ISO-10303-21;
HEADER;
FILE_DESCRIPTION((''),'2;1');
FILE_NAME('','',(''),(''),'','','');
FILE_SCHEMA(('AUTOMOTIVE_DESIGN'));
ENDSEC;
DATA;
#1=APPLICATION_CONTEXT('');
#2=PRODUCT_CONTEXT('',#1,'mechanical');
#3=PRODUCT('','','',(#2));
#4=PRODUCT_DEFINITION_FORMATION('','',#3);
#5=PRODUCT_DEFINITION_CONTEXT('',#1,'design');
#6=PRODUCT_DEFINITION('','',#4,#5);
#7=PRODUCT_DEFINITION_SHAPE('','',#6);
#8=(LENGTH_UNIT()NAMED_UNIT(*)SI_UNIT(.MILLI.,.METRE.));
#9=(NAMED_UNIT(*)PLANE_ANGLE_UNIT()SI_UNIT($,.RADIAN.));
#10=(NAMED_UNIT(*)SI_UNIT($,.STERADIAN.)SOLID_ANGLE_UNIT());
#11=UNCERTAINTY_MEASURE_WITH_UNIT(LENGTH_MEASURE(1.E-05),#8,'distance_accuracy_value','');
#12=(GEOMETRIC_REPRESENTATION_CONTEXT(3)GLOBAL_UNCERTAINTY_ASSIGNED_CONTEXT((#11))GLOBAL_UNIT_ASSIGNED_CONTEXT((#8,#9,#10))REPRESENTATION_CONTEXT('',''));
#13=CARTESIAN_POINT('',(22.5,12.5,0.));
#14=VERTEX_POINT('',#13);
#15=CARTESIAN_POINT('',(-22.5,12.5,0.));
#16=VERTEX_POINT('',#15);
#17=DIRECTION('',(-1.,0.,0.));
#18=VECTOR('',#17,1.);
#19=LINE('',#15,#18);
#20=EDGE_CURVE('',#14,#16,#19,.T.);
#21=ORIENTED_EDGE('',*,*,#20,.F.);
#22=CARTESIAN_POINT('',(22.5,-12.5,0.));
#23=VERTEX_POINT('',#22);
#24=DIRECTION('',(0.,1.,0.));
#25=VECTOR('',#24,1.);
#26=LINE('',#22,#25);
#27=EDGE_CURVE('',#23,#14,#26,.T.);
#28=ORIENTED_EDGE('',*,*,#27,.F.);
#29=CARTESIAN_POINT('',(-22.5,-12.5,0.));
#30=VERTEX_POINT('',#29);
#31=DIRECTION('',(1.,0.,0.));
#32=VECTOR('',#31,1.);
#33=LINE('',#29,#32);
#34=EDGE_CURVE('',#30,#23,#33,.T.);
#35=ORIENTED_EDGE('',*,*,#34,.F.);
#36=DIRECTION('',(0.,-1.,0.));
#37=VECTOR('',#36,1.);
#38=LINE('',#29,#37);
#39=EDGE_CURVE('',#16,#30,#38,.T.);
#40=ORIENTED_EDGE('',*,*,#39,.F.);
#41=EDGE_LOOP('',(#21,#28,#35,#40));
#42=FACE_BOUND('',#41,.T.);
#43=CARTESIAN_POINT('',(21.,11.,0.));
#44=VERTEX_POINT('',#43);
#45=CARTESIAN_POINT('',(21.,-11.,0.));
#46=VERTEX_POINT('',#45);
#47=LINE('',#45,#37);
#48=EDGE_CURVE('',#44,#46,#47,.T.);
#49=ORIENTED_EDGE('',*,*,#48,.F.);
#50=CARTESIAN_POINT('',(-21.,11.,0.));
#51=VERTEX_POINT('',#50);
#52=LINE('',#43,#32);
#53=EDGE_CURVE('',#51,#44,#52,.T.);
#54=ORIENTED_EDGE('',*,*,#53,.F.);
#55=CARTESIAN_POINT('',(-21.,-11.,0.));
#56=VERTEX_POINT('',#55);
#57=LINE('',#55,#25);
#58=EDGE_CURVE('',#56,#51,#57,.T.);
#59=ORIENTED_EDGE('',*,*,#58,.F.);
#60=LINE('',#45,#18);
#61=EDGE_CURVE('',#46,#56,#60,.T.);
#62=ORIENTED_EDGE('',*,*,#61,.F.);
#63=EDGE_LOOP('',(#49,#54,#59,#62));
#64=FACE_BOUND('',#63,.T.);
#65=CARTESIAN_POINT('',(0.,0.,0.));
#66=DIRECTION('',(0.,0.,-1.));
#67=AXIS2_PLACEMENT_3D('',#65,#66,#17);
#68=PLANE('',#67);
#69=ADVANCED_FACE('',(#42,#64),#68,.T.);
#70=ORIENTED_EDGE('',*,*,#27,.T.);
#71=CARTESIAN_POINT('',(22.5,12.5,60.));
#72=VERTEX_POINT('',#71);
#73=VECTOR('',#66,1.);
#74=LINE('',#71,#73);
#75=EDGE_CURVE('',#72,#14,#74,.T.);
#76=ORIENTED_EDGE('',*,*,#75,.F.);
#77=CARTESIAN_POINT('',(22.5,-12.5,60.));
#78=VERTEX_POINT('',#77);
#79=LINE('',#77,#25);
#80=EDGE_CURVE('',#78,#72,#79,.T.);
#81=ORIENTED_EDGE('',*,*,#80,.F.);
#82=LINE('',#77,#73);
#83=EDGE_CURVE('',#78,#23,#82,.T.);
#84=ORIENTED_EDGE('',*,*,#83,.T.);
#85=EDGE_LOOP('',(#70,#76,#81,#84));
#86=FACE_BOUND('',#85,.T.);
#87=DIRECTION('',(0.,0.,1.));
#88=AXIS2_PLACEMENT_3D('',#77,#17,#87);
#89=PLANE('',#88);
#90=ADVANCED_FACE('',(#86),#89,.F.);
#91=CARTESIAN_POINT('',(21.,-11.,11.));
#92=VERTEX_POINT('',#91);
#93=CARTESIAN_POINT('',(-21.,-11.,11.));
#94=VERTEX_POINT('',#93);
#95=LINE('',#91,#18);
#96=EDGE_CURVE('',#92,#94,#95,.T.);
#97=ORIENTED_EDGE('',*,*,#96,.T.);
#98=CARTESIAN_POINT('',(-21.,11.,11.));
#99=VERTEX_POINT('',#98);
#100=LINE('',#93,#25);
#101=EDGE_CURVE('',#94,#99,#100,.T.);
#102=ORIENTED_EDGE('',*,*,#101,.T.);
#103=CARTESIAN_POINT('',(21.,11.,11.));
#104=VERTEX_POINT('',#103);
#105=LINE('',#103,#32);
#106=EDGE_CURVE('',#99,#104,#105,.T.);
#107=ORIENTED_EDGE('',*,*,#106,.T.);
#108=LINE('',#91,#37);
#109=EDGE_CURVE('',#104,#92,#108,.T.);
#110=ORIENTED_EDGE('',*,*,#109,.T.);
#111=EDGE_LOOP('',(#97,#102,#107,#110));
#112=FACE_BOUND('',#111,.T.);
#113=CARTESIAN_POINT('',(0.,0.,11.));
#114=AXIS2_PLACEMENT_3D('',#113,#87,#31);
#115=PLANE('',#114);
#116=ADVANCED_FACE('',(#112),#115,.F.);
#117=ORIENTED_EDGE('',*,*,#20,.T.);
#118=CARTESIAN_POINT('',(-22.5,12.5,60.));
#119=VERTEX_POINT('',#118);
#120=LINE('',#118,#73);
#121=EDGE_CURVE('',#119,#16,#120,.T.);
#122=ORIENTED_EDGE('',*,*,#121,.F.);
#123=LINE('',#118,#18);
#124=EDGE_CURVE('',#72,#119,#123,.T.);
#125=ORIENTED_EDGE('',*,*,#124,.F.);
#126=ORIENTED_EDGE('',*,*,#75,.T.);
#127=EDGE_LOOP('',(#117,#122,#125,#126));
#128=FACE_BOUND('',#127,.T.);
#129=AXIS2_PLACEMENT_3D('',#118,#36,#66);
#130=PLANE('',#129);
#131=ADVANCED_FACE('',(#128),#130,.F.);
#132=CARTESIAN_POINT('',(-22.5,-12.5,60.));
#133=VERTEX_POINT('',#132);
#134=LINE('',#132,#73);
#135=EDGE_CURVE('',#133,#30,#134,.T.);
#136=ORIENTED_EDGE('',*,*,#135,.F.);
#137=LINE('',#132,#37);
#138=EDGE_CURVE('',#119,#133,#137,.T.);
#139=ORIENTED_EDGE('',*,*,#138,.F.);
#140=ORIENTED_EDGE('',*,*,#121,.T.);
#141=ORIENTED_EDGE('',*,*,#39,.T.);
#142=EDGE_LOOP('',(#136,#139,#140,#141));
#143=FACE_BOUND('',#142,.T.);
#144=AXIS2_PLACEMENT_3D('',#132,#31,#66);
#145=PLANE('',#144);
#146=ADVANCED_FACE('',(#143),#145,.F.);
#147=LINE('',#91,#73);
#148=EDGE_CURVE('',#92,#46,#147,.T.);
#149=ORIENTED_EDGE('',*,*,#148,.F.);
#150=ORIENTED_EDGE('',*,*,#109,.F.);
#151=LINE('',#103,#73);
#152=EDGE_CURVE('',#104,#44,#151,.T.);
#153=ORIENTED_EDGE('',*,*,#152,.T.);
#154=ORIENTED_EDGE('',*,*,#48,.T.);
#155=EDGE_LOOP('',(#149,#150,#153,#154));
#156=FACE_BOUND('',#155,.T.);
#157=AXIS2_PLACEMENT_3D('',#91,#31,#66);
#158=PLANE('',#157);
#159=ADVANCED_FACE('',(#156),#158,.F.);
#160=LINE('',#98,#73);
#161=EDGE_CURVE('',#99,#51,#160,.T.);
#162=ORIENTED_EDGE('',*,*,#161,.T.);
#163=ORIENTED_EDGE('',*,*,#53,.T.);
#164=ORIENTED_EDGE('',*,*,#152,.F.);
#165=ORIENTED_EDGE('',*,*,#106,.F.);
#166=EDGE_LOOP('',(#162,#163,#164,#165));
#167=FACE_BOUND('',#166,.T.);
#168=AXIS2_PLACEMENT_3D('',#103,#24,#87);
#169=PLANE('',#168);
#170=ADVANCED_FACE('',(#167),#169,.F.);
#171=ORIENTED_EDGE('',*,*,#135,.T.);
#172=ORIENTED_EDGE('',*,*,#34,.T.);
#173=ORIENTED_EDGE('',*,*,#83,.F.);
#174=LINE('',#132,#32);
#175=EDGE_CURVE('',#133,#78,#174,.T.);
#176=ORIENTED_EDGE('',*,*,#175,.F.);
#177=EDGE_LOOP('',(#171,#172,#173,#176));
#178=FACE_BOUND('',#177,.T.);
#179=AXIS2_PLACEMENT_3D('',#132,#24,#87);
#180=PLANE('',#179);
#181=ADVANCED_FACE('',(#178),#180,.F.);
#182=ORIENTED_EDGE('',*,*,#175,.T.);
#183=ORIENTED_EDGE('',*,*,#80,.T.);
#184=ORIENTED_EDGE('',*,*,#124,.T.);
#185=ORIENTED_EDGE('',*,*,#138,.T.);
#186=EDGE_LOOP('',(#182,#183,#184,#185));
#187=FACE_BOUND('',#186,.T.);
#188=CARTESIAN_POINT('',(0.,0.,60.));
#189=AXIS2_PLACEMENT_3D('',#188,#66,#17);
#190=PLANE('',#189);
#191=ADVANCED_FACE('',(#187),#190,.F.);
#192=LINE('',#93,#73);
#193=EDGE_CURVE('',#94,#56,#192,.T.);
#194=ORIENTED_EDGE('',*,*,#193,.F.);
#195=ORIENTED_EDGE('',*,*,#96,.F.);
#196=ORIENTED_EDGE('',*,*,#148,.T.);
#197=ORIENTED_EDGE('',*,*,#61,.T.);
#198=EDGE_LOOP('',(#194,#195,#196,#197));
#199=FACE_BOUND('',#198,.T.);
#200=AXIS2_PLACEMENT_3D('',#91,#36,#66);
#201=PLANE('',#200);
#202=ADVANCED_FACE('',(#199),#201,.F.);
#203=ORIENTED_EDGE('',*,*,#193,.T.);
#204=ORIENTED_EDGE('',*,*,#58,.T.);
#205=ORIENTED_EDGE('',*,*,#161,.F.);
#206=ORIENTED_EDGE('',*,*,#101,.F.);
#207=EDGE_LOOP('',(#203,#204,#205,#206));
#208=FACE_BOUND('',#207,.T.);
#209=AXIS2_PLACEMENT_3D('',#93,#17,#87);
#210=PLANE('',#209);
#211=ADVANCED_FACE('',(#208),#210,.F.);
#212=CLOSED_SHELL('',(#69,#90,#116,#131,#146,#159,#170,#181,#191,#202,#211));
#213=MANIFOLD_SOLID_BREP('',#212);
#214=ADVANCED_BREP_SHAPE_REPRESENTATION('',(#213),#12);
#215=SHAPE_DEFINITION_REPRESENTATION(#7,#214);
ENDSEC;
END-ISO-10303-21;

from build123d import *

# Parameters (mm, degrees)
SKETCH_3_W          = 45
SKETCH_3_H          = 25
EXTRUDE_2_DEPTH     = 60
SKETCH_4_W          = 42
SKETCH_4_H          = 22
CUT_EXTRUDE_1_DEPTH = 11


with BuildPart() as part:
    # Эскиз3 → Бобышка-Вытянуть2 (new body)
    with BuildSketch(Plane.XY):
        Rectangle(SKETCH_3_W, SKETCH_3_H)
    extrude(amount=EXTRUDE_2_DEPTH)

    # Эскиз4 → Вырез-Вытянуть1 (cut)
    with BuildSketch(Plane(origin=(0, 0, 0), x_dir=(-1, 0, 0), z_dir=(0, 0, -1))):
        Rectangle(SKETCH_4_W, SKETCH_4_H)
    extrude(amount=-CUT_EXTRUDE_1_DEPTH, mode=Mode.SUBTRACT)


solid = part.part
